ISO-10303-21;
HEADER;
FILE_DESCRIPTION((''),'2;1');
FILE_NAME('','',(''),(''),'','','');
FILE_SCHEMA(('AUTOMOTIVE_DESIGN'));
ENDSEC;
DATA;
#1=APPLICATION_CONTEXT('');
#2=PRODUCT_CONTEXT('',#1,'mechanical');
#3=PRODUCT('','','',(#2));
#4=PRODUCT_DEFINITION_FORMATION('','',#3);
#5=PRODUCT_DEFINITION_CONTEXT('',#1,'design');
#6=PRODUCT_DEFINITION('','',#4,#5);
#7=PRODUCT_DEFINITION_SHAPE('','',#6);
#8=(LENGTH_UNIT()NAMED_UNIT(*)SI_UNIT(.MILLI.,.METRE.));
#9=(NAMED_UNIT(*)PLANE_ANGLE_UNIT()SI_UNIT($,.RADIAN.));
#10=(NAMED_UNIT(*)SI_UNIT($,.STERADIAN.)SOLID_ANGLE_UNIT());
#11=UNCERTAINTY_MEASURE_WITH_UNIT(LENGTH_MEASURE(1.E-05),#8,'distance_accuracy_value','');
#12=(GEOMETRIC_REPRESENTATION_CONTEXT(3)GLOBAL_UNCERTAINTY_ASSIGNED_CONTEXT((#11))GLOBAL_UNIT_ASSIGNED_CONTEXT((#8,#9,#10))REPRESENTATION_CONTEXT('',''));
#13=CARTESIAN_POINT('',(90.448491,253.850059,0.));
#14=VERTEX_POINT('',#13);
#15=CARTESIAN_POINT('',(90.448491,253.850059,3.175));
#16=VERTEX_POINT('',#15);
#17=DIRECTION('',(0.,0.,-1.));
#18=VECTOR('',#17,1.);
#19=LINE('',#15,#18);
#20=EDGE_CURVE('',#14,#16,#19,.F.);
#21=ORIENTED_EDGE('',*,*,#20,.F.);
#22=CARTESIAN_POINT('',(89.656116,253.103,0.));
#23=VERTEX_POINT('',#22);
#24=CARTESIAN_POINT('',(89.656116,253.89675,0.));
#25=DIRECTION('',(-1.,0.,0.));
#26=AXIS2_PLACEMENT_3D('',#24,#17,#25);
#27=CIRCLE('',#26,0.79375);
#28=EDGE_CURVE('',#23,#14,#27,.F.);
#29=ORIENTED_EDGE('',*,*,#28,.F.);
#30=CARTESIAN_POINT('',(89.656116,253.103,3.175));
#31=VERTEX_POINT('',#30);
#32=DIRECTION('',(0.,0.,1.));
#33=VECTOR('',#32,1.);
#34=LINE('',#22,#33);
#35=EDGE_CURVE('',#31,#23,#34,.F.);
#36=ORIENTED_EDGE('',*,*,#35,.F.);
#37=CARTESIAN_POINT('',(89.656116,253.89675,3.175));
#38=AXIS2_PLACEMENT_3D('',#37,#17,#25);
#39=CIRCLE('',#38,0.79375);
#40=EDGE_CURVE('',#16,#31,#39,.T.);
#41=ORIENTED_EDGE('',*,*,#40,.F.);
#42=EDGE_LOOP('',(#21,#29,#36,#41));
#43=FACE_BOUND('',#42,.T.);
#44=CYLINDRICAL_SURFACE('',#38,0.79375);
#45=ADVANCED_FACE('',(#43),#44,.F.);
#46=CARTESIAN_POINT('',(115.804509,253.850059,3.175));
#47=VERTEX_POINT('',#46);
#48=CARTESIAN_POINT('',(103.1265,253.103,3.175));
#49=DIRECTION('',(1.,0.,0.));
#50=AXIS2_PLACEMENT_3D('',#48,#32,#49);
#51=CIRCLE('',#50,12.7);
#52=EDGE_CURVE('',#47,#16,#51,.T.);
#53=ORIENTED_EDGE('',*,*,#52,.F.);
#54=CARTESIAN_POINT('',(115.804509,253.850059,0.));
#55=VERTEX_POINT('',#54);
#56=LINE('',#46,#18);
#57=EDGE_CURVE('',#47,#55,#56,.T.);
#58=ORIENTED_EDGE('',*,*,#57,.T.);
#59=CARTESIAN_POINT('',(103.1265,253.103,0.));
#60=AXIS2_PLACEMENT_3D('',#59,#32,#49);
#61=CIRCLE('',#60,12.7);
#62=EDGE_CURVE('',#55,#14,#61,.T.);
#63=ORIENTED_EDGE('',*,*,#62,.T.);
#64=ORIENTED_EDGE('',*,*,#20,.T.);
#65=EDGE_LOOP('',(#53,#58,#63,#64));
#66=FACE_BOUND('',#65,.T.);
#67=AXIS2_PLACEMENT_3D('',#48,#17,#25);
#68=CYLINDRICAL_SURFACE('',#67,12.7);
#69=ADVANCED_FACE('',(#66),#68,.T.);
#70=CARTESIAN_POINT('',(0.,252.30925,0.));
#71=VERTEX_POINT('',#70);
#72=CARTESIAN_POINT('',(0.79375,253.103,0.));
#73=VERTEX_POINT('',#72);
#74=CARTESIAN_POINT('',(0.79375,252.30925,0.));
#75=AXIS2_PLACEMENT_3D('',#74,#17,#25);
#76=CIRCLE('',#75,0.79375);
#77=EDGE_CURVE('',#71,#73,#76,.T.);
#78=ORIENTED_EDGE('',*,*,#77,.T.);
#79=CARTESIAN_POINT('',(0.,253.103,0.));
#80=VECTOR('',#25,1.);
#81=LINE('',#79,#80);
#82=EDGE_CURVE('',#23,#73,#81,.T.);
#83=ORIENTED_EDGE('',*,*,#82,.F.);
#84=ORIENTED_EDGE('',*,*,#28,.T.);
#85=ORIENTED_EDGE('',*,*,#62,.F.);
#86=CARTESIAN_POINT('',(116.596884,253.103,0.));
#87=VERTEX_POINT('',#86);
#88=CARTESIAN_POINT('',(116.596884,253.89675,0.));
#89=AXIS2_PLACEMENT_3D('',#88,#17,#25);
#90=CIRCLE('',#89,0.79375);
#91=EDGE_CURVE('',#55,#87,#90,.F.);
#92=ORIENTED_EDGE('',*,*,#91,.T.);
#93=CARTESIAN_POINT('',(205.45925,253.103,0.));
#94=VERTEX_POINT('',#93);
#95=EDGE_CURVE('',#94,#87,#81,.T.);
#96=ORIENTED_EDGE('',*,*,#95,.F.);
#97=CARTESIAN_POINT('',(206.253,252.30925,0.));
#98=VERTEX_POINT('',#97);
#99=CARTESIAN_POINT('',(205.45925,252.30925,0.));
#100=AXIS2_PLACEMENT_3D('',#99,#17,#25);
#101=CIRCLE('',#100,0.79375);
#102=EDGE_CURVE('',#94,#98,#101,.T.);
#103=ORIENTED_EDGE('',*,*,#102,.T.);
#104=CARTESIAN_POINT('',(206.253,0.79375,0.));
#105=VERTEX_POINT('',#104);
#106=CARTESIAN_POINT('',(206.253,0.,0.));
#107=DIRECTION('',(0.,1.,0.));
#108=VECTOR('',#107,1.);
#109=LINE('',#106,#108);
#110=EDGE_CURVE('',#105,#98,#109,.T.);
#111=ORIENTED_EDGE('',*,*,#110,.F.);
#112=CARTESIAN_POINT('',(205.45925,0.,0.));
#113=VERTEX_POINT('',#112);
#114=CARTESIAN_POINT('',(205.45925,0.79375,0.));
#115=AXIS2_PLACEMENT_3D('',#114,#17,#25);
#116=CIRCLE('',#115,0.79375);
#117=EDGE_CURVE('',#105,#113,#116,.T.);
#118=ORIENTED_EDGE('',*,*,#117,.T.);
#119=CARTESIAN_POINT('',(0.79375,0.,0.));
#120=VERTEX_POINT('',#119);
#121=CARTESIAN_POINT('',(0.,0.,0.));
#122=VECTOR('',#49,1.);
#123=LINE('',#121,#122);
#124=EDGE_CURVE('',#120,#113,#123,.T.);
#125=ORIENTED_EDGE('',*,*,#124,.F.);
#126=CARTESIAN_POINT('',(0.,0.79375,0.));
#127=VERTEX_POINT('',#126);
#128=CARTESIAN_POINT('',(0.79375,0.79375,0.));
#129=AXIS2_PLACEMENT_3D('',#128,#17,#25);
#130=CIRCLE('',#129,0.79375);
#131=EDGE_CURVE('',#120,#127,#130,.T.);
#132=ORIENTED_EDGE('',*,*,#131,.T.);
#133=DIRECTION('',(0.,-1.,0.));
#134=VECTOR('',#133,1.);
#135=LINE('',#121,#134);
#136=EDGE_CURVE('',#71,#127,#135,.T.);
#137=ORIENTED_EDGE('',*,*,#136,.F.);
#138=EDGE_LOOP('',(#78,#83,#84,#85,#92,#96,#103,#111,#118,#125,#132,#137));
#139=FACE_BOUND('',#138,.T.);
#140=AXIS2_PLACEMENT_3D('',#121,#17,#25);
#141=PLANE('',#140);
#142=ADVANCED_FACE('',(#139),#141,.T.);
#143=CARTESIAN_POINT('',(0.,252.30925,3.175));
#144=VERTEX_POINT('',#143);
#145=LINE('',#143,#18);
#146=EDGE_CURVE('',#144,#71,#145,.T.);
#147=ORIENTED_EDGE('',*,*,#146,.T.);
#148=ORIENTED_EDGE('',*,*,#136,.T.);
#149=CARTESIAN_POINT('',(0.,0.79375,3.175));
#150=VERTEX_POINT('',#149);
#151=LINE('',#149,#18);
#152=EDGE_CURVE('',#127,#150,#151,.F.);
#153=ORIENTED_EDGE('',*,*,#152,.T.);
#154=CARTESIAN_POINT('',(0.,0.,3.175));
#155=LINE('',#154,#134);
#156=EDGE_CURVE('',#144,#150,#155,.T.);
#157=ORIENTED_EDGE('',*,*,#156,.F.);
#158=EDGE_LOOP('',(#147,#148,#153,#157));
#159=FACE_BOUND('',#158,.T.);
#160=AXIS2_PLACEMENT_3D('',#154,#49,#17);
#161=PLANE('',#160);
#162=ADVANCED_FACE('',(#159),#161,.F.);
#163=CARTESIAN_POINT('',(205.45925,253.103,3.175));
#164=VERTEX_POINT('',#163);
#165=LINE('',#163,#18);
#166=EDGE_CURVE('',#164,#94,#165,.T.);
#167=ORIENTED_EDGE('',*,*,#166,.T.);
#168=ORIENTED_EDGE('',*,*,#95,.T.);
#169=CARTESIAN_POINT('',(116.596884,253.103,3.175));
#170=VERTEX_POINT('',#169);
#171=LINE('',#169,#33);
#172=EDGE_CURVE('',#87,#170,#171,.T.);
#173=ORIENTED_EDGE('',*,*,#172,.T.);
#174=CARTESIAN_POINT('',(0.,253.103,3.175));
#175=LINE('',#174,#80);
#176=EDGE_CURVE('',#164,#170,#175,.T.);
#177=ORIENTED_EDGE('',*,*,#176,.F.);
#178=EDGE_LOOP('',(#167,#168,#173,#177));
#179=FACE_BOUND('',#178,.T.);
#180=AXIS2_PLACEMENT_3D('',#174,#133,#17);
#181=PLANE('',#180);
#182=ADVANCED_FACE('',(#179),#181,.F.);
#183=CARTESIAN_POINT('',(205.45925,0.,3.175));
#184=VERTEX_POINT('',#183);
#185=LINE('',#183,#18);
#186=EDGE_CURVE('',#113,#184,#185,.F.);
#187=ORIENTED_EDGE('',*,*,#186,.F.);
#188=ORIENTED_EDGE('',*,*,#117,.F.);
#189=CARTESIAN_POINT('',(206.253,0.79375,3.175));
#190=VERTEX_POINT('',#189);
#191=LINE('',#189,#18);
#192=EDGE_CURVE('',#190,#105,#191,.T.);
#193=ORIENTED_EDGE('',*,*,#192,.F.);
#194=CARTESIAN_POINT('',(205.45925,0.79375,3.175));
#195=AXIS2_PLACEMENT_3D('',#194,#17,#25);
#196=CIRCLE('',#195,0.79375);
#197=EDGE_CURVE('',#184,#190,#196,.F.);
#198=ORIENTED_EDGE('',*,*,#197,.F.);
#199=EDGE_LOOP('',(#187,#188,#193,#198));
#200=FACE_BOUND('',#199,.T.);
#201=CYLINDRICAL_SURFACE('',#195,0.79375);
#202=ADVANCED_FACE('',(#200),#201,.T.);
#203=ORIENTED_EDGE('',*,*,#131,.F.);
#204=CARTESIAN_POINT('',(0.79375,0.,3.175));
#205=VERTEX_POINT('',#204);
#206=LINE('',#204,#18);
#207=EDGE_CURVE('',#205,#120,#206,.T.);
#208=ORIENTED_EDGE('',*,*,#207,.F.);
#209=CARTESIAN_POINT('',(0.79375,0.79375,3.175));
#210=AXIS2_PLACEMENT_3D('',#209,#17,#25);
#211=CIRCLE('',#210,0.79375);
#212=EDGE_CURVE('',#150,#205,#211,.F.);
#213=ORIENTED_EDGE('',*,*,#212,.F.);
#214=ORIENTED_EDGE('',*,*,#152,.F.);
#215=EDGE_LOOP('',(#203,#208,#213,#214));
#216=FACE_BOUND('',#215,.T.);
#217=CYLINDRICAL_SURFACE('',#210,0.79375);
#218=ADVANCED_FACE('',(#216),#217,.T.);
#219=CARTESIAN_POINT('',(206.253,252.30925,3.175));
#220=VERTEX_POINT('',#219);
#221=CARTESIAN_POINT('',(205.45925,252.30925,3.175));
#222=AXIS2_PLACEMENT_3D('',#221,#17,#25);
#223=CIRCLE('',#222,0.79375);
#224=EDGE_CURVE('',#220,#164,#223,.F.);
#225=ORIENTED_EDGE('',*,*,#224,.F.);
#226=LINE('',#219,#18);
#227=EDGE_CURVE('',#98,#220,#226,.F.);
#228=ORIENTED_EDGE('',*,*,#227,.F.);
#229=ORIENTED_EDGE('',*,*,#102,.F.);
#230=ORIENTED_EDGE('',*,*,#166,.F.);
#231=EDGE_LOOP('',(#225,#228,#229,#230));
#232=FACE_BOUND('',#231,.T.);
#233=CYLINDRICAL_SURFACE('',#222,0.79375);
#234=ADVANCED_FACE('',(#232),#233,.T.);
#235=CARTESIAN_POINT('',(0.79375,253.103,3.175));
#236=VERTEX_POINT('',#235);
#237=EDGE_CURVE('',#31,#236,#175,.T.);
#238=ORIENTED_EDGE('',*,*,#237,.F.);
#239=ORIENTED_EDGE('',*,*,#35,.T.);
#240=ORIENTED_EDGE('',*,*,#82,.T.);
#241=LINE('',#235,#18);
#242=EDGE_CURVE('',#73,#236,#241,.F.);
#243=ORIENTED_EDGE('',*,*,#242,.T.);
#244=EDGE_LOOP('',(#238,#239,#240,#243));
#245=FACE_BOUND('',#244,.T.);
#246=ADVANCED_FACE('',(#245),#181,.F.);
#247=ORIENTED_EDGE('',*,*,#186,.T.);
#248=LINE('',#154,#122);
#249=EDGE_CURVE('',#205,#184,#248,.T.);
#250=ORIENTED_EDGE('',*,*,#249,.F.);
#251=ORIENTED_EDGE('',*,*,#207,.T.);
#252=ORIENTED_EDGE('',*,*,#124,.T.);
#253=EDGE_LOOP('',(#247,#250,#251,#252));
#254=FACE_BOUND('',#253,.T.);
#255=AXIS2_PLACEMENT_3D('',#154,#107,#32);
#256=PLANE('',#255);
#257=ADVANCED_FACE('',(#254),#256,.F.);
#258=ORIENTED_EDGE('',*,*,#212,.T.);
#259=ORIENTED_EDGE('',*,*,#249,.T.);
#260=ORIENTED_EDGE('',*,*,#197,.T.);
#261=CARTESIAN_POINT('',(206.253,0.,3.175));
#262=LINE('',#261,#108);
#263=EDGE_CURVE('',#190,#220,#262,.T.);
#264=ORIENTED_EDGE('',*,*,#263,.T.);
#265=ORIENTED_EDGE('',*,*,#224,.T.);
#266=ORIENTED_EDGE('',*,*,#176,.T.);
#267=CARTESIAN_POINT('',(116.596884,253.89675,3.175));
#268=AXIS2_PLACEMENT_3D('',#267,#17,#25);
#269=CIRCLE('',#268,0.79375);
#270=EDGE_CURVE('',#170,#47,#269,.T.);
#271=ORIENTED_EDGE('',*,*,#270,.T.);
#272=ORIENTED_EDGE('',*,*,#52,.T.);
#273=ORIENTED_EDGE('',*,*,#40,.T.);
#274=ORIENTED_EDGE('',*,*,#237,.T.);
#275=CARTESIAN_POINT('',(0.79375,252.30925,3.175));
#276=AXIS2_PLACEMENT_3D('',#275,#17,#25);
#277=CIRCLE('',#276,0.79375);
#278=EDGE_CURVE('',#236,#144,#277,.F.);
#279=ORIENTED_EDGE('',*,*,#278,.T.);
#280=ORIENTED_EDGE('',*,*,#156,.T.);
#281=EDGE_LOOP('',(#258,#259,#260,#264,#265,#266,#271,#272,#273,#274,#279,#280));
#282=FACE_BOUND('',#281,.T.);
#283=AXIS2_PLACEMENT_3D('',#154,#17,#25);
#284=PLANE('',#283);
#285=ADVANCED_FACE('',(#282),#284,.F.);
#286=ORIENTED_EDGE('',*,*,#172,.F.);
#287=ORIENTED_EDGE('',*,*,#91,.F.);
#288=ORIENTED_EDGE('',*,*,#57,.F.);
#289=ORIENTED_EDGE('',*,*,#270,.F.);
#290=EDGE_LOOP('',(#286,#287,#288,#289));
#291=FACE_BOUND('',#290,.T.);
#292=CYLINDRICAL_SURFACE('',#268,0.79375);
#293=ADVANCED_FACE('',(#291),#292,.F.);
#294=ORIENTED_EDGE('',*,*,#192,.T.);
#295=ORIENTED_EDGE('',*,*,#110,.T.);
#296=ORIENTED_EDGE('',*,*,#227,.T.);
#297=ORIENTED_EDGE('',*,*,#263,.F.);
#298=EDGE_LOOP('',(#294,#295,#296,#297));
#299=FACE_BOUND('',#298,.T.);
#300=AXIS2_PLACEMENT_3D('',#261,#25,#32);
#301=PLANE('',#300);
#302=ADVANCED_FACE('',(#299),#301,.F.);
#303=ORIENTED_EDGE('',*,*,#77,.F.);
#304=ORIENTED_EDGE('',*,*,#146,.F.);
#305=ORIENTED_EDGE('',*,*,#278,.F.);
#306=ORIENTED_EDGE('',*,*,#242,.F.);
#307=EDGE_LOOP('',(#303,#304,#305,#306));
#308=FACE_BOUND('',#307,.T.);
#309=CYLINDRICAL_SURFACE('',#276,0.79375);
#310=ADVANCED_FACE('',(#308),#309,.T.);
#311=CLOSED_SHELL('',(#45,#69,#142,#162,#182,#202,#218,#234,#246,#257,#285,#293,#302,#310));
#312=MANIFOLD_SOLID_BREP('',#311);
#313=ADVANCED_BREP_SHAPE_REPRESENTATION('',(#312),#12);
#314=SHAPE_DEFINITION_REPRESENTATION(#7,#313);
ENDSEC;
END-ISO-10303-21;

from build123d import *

# Parameters (mm, degrees)
SKETCH1_W           = 206.253
SKETCH1_H           = 253.103
BOSS_EXTRUDE1_DEPTH = 3.175
BOSS_EXTRUDE3_DEPTH = 3.175
FILLET1_R           = 0.79375


with BuildPart() as part:
    # Sketch1 → Boss-Extrude1 (new body)
    with BuildSketch(Plane.XY):
        with Locations((103.1265, 126.5515)):
            Rectangle(SKETCH1_W, SKETCH1_H)
    extrude(amount=BOSS_EXTRUDE1_DEPTH)

    # Sketch3 → Boss-Extrude3 (add)
    with BuildSketch(Plane.XY):
        with BuildLine():
            Line((90.4265, 253.103), (115.8265, 253.103))
            ThreePointArc((115.8265, 253.103), (103.1265, 265.803), (90.4265, 253.103))
        make_face()
    extrude(amount=BOSS_EXTRUDE3_DEPTH)

    # Fillet1
    fillet1_edges = [part.edges().sort_by_distance(p)[0] for p in [
        (115.8265, 253.103, 1.5875),
        (90.4265, 253.103, 1.5875),
        (0, 253.103, 1.5875),
        (206.253, 253.103, 1.5875),
        (206.253, 0, 1.5875),
        (0, 0, 1.5875),
    ]]
    fillet(fillet1_edges, radius=FILLET1_R)


solid = part.part
